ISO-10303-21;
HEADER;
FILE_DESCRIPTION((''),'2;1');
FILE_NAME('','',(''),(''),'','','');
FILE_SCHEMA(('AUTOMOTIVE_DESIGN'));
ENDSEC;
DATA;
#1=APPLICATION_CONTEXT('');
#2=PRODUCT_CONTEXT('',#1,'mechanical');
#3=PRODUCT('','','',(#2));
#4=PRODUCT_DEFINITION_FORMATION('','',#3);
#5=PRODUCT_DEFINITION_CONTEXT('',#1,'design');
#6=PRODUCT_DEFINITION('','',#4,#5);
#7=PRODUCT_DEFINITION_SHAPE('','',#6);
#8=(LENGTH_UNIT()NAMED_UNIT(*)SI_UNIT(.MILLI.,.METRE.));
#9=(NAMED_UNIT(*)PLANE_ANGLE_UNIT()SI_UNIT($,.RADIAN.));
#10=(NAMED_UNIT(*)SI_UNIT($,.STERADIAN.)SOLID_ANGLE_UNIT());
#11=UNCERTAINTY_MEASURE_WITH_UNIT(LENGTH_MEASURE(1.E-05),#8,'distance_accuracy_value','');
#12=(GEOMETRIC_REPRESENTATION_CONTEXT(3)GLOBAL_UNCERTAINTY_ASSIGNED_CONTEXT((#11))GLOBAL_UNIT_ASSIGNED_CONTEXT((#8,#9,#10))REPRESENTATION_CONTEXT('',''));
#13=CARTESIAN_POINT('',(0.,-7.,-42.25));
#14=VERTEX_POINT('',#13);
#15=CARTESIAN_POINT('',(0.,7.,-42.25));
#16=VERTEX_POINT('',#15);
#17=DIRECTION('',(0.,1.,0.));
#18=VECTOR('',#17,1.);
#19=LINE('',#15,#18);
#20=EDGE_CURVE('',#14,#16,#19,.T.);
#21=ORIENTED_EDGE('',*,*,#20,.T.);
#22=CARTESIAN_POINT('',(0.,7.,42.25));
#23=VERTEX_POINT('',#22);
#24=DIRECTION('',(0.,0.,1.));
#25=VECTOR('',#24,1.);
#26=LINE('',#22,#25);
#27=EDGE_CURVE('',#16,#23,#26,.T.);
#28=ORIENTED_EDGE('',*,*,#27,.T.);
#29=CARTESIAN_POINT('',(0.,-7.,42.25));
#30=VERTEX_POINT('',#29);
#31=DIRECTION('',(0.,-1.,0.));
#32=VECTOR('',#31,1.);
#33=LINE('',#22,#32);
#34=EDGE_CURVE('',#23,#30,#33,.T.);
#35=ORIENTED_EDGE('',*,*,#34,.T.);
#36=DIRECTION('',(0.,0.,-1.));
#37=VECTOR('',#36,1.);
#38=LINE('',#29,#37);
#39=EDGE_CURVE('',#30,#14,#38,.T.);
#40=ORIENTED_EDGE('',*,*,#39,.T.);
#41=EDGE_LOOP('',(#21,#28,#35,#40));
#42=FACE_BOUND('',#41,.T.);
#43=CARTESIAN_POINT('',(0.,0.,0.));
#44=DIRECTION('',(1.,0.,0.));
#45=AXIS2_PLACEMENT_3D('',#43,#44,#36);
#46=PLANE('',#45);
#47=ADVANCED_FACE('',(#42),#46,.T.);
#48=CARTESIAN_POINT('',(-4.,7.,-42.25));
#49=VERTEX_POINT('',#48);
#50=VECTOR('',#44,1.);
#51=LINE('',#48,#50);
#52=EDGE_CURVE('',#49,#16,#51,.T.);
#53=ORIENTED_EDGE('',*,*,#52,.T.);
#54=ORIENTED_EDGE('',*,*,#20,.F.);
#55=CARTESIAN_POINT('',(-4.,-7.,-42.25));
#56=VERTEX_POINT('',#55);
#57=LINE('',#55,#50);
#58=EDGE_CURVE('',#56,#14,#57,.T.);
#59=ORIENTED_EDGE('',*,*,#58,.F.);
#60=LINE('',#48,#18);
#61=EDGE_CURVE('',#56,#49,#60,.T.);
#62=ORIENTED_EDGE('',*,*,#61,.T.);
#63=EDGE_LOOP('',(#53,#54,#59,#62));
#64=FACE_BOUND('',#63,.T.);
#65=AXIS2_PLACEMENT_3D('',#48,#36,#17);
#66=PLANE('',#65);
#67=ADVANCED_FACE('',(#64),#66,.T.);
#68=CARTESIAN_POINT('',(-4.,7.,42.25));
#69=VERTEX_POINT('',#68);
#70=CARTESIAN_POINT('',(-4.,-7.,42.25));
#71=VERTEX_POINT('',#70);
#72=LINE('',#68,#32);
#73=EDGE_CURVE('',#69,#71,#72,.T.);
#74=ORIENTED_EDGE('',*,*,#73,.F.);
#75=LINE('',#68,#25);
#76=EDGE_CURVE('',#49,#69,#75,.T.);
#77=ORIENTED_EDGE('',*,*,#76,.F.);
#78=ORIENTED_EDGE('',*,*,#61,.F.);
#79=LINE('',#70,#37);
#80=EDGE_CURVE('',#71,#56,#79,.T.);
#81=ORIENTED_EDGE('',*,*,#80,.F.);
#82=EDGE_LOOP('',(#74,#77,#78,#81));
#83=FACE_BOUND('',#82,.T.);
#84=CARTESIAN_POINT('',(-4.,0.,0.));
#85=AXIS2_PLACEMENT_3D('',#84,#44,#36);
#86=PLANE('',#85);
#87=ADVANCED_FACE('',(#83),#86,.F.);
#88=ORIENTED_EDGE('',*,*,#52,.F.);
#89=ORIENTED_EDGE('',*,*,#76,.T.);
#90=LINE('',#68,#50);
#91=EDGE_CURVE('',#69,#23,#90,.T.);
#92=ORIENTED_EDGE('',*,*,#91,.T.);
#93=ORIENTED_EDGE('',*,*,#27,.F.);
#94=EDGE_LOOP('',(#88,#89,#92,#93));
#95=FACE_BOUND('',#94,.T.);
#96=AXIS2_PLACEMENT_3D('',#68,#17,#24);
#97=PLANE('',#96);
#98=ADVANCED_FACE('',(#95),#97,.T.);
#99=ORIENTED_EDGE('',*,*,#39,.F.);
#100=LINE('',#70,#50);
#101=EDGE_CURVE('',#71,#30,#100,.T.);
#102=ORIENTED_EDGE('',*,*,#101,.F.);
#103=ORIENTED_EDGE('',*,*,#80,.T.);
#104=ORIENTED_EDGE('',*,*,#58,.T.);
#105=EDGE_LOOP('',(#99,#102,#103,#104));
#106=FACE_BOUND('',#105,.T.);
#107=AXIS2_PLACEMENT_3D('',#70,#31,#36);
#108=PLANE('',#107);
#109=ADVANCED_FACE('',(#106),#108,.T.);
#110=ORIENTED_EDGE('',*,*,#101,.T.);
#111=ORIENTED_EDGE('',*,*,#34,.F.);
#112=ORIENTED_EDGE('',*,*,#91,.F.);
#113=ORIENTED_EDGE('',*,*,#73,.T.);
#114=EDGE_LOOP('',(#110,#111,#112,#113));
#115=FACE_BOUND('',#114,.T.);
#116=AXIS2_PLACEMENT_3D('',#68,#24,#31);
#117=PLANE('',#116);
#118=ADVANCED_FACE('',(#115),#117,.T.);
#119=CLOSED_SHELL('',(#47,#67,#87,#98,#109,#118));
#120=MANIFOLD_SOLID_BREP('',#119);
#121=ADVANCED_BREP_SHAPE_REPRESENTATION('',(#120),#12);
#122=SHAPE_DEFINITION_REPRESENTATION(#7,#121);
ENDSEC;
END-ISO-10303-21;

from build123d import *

# Parameters (mm, degrees)
SKETCH1_W           = 84.5
SKETCH1_H           = 14
BOSS_EXTRUDE1_DEPTH = 4


with BuildPart() as part:
    # Sketch1 → Boss-Extrude1 (new body)
    with BuildSketch(Plane(origin=(0, 0, 0), x_dir=(0, 0, -1), z_dir=(1, 0, 0))):
        Rectangle(SKETCH1_W, SKETCH1_H)
    extrude(amount=-BOSS_EXTRUDE1_DEPTH)


solid = part.part
